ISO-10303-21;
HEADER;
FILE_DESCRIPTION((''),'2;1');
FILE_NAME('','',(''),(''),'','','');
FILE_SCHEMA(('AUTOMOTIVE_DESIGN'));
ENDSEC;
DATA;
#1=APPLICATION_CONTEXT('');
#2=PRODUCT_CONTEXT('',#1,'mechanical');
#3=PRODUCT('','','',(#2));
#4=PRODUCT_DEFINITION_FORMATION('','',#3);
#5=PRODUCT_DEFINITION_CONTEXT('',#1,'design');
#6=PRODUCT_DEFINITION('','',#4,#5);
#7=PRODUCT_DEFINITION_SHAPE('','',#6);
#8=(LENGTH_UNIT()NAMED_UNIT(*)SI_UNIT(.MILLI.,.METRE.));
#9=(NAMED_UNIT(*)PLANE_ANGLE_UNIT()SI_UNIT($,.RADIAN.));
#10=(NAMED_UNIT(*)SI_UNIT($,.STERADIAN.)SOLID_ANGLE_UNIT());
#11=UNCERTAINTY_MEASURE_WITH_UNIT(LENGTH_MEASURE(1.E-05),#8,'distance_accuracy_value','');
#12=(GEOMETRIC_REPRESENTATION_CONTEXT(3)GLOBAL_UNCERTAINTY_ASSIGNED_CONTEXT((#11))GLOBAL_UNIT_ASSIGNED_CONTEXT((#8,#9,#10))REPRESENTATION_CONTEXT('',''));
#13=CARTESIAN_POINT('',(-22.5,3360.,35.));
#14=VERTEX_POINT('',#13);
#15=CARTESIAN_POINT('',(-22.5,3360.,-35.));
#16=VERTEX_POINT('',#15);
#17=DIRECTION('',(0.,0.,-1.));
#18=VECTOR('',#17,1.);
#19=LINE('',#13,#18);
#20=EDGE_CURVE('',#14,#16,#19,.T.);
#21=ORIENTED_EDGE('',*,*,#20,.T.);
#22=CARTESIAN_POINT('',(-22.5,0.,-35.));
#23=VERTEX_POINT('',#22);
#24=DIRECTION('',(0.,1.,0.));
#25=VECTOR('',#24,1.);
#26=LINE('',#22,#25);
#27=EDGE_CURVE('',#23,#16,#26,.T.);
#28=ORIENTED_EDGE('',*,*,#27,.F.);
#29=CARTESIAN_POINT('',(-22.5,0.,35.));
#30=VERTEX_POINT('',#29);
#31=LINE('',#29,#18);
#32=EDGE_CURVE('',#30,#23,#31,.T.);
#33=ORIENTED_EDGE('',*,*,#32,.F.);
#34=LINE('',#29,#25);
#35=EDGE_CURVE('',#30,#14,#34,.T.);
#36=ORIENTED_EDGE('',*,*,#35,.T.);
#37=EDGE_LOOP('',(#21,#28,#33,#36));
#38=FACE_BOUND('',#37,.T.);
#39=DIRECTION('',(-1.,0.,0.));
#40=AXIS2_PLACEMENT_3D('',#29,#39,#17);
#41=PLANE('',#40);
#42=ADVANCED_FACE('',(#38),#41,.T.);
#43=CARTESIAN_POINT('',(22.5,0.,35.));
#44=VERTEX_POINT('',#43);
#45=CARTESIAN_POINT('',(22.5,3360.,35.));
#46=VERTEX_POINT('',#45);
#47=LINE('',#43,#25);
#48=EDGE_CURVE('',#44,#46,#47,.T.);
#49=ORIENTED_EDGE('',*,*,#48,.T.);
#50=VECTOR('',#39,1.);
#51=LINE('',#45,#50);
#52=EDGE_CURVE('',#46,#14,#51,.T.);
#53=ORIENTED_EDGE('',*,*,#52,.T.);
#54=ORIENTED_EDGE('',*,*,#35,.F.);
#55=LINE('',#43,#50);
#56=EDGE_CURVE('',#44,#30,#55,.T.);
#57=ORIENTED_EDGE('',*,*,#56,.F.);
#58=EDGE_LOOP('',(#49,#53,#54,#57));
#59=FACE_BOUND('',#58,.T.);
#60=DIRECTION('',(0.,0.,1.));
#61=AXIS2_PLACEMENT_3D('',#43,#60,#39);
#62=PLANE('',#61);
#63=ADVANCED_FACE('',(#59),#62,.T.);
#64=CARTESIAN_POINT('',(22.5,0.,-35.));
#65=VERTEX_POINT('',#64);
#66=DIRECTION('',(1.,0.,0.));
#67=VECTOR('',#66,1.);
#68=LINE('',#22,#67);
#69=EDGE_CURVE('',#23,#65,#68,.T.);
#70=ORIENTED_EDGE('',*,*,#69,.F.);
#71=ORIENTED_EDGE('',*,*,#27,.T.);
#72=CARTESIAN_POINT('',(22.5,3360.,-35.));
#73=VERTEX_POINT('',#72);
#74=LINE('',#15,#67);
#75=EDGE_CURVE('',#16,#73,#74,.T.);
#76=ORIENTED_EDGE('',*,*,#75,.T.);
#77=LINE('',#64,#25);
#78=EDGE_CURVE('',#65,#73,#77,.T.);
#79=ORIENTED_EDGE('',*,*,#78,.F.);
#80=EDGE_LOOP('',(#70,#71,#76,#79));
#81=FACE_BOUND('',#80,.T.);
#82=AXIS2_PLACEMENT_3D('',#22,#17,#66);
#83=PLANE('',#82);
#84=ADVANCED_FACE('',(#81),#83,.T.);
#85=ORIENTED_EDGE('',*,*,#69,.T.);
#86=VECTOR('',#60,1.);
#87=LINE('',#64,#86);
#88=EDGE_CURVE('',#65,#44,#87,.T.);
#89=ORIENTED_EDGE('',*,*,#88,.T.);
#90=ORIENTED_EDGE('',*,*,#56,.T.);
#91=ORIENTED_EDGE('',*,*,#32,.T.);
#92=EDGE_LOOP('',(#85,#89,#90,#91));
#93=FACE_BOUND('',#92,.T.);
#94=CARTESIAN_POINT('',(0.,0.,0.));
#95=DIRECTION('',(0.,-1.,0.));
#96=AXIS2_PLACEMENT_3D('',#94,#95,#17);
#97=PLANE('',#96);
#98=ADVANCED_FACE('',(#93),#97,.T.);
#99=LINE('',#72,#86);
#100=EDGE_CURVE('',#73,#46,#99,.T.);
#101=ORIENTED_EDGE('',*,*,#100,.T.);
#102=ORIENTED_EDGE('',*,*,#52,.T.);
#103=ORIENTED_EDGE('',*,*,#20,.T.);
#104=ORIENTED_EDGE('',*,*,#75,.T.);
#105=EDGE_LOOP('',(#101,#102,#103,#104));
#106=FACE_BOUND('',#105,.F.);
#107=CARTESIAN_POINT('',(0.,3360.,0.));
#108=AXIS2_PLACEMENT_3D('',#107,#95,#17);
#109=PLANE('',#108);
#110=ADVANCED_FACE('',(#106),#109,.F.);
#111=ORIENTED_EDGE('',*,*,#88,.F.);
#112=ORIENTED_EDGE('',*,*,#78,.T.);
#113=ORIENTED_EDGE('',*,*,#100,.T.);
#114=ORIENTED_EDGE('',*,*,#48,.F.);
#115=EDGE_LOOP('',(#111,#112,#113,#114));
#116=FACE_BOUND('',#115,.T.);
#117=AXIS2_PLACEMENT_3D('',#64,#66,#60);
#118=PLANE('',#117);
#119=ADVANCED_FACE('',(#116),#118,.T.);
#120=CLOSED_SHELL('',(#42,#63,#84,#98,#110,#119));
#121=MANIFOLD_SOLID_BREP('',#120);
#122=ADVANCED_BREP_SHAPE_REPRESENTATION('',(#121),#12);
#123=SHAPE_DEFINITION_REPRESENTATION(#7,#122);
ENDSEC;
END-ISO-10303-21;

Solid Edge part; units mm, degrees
sketch "Sketch1" plane through (0, 0, 0) normal (0, -1, 0) x (1, 0, 0)
  line L0 (-22.5, -35) -> (22.5, -35)
  line L1 (22.5, -35) -> (22.5, 35)
  line L2 (22.5, 35) -> (-22.5, 35)
  line L3 (-22.5, 35) -> (-22.5, -35)
extrude "Protrusion1" add sketch "Sketch1" against normal blind 3360
properties material "Wood, Pine"
